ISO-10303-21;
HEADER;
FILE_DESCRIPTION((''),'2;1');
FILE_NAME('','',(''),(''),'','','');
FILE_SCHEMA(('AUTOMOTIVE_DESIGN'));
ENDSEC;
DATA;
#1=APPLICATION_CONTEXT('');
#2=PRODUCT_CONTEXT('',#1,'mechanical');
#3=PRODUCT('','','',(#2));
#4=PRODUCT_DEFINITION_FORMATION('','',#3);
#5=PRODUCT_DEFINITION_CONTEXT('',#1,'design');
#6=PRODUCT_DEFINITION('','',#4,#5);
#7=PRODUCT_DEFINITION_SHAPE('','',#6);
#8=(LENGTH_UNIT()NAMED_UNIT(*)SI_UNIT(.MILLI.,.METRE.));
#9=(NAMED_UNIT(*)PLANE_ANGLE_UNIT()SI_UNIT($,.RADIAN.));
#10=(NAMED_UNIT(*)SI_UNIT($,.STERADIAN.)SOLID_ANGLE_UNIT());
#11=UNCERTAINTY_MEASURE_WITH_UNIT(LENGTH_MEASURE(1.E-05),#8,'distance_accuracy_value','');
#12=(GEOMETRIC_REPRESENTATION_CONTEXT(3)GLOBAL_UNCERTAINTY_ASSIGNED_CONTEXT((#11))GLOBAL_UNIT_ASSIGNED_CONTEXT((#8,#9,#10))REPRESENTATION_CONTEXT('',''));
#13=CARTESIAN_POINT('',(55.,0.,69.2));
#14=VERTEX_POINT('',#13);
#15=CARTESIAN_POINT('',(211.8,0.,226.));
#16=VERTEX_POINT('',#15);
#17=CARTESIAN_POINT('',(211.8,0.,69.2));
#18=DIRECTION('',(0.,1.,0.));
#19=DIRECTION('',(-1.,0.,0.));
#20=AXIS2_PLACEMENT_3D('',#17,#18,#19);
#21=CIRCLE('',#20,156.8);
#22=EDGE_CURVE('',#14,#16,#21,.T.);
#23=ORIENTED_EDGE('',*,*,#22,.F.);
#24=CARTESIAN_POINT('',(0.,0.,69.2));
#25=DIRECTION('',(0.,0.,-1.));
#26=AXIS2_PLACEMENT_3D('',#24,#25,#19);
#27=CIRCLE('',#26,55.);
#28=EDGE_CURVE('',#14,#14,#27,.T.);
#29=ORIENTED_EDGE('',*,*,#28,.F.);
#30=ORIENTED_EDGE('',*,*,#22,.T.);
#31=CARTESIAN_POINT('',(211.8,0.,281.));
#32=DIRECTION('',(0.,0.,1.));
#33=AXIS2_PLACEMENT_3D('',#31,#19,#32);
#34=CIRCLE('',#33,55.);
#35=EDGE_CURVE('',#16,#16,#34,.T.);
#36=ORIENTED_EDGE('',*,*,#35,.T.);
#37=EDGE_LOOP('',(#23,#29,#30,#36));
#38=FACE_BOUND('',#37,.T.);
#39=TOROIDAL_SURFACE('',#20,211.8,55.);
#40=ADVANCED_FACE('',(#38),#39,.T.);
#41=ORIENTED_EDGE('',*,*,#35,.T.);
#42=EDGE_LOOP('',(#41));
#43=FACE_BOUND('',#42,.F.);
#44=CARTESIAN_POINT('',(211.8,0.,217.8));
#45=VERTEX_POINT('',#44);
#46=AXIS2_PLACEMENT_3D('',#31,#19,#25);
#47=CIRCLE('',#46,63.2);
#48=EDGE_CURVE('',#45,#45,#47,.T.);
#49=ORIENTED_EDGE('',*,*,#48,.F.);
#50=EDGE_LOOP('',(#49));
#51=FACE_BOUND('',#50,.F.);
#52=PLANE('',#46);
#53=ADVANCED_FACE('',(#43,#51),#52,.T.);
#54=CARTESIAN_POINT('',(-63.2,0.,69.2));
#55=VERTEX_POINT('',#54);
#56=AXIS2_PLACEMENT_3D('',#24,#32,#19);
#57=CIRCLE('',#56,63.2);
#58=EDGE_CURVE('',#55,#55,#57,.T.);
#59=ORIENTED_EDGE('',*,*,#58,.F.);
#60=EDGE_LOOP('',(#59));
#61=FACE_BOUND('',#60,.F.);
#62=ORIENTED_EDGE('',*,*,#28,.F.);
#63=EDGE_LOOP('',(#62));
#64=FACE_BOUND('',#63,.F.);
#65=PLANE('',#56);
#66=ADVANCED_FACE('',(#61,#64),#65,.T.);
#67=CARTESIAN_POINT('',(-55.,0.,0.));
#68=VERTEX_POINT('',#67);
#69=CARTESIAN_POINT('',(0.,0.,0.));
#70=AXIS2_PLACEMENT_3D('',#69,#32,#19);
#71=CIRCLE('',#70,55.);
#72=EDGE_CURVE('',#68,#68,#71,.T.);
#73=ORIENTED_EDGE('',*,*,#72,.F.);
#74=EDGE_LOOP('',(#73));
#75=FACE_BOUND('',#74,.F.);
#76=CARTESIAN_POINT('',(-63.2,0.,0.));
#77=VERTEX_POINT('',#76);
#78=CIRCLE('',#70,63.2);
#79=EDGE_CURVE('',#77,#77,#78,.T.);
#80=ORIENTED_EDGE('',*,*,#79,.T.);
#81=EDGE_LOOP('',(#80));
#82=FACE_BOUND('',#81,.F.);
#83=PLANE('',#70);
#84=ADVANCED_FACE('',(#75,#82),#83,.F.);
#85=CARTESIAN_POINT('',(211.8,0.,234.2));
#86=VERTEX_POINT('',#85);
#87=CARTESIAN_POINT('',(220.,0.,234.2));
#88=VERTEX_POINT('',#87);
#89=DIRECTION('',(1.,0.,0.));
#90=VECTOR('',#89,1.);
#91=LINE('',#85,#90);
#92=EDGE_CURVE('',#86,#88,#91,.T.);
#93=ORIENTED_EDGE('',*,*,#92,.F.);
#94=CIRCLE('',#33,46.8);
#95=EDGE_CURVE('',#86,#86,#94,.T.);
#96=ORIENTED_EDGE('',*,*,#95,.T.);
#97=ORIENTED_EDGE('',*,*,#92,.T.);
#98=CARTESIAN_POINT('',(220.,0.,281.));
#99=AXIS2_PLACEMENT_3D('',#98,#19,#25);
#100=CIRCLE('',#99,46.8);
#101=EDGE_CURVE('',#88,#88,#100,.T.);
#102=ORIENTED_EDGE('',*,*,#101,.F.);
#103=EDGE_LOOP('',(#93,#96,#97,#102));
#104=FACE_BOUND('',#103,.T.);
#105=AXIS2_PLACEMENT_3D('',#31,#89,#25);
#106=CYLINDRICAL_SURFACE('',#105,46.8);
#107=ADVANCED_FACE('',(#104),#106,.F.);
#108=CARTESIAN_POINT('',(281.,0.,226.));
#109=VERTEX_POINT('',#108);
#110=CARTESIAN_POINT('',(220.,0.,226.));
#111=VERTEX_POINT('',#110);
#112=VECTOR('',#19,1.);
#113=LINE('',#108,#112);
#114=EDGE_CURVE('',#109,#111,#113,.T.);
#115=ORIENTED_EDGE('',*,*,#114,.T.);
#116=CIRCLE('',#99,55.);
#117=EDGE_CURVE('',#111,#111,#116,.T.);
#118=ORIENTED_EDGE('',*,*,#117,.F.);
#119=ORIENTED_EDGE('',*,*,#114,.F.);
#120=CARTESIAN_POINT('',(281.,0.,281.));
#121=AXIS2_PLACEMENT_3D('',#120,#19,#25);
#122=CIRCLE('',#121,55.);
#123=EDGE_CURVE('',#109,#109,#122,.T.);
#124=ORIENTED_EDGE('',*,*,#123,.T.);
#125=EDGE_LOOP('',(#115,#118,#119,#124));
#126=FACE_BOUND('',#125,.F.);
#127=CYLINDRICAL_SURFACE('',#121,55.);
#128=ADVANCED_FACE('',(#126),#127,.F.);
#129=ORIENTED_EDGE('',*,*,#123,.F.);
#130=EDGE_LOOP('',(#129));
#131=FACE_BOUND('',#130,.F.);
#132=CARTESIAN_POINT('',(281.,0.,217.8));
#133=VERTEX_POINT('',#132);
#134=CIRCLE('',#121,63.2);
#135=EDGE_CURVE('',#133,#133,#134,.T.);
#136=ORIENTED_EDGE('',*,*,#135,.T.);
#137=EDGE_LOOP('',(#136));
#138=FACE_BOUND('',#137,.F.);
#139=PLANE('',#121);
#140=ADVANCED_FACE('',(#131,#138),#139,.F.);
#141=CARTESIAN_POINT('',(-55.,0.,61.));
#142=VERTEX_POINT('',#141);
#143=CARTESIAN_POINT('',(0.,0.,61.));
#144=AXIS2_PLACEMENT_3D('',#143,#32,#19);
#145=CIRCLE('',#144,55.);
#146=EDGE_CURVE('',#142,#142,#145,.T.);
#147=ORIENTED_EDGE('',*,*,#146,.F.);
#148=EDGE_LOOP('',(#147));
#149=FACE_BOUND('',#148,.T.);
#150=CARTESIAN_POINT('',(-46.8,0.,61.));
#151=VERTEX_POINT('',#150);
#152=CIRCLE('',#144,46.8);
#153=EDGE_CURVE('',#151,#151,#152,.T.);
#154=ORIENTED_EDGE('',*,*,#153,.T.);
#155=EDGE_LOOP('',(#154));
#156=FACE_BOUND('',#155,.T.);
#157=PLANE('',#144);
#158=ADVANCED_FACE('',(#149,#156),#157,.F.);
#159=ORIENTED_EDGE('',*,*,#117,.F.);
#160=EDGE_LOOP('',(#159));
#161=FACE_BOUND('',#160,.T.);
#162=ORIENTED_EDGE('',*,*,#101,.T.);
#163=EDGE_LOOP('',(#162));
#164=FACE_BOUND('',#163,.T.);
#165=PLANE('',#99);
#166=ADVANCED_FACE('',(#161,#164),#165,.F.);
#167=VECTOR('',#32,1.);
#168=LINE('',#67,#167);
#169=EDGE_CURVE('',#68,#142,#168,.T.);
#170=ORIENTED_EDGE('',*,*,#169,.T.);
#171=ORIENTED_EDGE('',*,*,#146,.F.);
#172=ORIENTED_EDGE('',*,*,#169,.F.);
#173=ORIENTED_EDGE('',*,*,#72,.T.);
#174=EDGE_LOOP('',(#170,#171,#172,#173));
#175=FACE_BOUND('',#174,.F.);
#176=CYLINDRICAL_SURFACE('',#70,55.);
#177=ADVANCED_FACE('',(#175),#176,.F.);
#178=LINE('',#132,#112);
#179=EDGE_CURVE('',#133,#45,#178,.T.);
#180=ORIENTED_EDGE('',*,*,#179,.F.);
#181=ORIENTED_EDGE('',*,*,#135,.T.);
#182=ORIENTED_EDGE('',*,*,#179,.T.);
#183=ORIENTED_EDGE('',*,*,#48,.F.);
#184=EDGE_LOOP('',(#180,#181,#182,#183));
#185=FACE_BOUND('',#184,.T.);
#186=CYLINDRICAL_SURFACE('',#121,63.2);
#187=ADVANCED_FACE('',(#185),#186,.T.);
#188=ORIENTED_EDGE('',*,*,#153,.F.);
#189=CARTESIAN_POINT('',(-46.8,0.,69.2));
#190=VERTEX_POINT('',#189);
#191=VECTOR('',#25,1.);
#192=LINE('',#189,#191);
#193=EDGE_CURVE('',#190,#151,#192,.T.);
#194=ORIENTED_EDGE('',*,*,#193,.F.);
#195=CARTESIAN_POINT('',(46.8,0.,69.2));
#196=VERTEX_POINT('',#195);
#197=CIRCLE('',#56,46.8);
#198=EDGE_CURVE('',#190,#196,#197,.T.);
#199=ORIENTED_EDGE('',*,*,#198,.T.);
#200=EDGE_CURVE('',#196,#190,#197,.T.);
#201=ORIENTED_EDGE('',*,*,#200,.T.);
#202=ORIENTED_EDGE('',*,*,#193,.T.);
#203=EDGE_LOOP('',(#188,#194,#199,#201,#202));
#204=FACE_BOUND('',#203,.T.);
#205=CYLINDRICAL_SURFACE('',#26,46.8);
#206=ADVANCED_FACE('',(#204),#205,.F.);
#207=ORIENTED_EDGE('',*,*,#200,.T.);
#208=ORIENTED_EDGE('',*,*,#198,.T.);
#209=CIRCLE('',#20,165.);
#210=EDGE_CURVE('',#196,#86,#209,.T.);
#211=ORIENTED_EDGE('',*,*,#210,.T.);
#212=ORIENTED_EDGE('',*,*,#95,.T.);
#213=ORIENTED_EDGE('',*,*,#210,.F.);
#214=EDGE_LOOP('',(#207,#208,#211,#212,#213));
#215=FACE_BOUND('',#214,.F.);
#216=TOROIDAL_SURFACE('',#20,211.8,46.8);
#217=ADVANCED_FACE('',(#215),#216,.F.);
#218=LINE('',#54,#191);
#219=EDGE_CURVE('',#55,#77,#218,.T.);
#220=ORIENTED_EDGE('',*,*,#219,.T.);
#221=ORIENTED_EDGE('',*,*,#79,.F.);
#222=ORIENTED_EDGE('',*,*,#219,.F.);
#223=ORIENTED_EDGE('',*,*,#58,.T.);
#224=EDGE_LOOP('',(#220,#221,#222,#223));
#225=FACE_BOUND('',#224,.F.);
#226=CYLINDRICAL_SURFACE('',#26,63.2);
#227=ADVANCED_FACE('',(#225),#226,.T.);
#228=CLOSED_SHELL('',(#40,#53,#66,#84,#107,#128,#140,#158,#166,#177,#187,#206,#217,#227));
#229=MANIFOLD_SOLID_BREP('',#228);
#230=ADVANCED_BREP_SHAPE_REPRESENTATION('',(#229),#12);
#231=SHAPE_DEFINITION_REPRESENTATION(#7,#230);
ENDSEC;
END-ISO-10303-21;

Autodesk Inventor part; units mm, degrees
ref_plane "YZ Plane" through (0, 0, 0) normal (1, 0, 0) x (0, 1, 0)
ref_plane "XZ Plane" through (0, 0, 0) normal (0, 1, 0) x (-1, 0, 0)
ref_plane "XY Plane" through (0, 0, 0) normal (0, 0, 1) x (1, 0, 0)
sketch "Sketch1" plane through (0, 0, 0) normal (0, 1, 0) x (-1, 0, 0)
  line L0 (0, 0) -> (0, 69.2)
  line L1 (46.8, 69.2) -> (63.2, 69.2)
  line L2 (0, 69.2) -> (46.8, 69.2) construction
  line L3 (63.2, 69.2) -> (63.2, 0)
  line L4 (63.2, 0) -> (55, 0)
  line L5 (55, 0) -> (55, 61)
  line L6 (55, 0) -> (0, 0) construction
  line L7 (-281, 281) -> (-211.8, 281)
  line L8 (-211.8, 281) -> (-211.8, 234.2) construction
  line L9 (-281, 217.8) -> (-281, 226)
  line L10 (-281, 226) -> (-220, 226)
  line L11 (-281, 226) -> (-281, 281) construction
  line L12 (-211.8, 281) -> (0, 281) construction
  line L13 (0, 281) -> (0, 69.2) construction
  line L14 (46.8, 69.2) -> (46.8, 61)
  line L15 (46.8, 61) -> (55, 61)
  line L16 (-211.8, 234.2) -> (-220, 234.2)
  line L17 (-220, 234.2) -> (-220, 226)
  line L18 (-281, 217.8) -> (-211.8, 217.8)
  line L19 (-211.8, 234.2) -> (-211.8, 217.8)
  line L20 (-220, 234.2) -> (-220, 281) construction
  line L21 (46.8, 61) -> (0, 61) construction
  dimension "d0" = 110
  dimension "d1" = 8.2
  dimension "d2" = 61
  dimension "d4" = 93.6
  dimension "d6" = 110
  dimension "d7" = 93.6
  dimension "d10" = 8.2
  dimension "d11" = 8.2
  dimension "d12" = 61
  dimension "d14" = 220
  dimension "d15" = 220
  dimension "d16" = 8.2
revolve "Revolution1" add sketch "Sketch1" angle 360 about axis through (0, 0, 0) along (0, 0, 1) contours L1 L3 L4 L5 L15 L14
sketch "Sketch2" plane through (0, 0, 0) normal (0, 1, 0) x (-1, 0, 0)
  line L0 (0, 69.2) -> (0, 281) construction
  line L1 (0, 281) -> (-211.8, 281) construction
  arc A0 (0, 69.2) -> (-211.8, 281) centre (-211.8, 69.2) ccw
  line L2 (-63.2, 69.2) -> (63.2, 69.2) projected
  dimension "d8" = 211.8
  dimension "d9" = 211.8
sketch "Sketch3" plane through (0, 0, 69.2) normal (0, 0, 1) x (1, 0, 0)
  circle A0 centre (0, 0) radius 55
  circle A1 centre (0, 0) radius 55
  circle A2 centre (0, 0) radius 46.8 projected
  circle A3 centre (0, 0) radius 46.8
  dimension "d13" = 110
sweep "Sweep1" add profiles "Sketch3" path "Sketch2" path curves A0
revolve "Revolution2" add sketch "Sketch1" angle 360 about axis through (281, 0, 281) along (-1, 0, 0) contours L9 L10 L17 L16 L19 L18
equation "\"d0\" = D1"
equation "\"d1\" = S"
equation "\"d2\" = T"
equation "\"d4\" = D1 - 2 * S"
equation "\"d6\" = D1"
equation "\"d7\" = D1 - 2 * S"
equation "\"d10\" = S"
equation "\"d11\" = S"
equation "\"d12\" = T"
equation "\"d14\" = Z"
equation "\"d15\" = Z"
equation "\"d16\" = S"
equation "\"d8\" = Z - S"
equation "\"d9\" = Z - S"
equation "\"d13\" = D1"
equation "\"D1\" = 110"
equation "\"T\" = 61"
equation "\"Z\" = 220"
equation "\"S\" = 8.2"
properties part number "DIN 8063 Колено 90 градусов, тип B 110" material "ПВХ, непластифицированный"
